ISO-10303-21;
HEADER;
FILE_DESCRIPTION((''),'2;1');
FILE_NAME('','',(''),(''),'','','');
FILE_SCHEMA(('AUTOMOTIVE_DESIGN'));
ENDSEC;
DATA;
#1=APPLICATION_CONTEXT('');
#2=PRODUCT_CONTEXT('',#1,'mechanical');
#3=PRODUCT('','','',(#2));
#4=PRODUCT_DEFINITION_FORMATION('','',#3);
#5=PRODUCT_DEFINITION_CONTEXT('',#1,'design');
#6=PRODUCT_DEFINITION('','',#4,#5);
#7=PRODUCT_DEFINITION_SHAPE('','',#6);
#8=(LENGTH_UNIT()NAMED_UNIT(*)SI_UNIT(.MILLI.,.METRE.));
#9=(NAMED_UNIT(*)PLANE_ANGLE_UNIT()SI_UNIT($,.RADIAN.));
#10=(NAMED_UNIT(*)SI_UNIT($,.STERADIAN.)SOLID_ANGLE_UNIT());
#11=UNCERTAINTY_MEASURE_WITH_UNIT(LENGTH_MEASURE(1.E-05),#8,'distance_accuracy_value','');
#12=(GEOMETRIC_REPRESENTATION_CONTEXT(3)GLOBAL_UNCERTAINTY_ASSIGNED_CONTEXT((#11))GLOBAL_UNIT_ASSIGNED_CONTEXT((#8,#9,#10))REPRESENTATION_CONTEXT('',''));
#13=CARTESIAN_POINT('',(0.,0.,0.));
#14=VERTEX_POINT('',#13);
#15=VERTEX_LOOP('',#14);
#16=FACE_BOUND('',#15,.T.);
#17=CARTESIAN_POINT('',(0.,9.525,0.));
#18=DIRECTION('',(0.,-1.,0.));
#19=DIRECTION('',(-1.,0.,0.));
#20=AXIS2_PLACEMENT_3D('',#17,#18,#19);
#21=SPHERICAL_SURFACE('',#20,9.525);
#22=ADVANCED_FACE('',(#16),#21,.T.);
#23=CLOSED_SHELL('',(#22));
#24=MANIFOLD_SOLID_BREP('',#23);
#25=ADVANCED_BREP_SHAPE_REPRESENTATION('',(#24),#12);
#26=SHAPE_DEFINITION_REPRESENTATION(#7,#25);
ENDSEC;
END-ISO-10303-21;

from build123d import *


with BuildPart() as part:
    # Sketch3 → Revolve1 (revolve)
    with BuildSketch(Plane.XY):
        with BuildLine():
            Line((0, 0), (0, 19.05))
            ThreePointArc((0, 19.05), (9.525, 9.525), (0, 0))
        make_face()
    revolve(axis=Axis((0, 0, 0), (0, 1, 0)))


solid = part.part
